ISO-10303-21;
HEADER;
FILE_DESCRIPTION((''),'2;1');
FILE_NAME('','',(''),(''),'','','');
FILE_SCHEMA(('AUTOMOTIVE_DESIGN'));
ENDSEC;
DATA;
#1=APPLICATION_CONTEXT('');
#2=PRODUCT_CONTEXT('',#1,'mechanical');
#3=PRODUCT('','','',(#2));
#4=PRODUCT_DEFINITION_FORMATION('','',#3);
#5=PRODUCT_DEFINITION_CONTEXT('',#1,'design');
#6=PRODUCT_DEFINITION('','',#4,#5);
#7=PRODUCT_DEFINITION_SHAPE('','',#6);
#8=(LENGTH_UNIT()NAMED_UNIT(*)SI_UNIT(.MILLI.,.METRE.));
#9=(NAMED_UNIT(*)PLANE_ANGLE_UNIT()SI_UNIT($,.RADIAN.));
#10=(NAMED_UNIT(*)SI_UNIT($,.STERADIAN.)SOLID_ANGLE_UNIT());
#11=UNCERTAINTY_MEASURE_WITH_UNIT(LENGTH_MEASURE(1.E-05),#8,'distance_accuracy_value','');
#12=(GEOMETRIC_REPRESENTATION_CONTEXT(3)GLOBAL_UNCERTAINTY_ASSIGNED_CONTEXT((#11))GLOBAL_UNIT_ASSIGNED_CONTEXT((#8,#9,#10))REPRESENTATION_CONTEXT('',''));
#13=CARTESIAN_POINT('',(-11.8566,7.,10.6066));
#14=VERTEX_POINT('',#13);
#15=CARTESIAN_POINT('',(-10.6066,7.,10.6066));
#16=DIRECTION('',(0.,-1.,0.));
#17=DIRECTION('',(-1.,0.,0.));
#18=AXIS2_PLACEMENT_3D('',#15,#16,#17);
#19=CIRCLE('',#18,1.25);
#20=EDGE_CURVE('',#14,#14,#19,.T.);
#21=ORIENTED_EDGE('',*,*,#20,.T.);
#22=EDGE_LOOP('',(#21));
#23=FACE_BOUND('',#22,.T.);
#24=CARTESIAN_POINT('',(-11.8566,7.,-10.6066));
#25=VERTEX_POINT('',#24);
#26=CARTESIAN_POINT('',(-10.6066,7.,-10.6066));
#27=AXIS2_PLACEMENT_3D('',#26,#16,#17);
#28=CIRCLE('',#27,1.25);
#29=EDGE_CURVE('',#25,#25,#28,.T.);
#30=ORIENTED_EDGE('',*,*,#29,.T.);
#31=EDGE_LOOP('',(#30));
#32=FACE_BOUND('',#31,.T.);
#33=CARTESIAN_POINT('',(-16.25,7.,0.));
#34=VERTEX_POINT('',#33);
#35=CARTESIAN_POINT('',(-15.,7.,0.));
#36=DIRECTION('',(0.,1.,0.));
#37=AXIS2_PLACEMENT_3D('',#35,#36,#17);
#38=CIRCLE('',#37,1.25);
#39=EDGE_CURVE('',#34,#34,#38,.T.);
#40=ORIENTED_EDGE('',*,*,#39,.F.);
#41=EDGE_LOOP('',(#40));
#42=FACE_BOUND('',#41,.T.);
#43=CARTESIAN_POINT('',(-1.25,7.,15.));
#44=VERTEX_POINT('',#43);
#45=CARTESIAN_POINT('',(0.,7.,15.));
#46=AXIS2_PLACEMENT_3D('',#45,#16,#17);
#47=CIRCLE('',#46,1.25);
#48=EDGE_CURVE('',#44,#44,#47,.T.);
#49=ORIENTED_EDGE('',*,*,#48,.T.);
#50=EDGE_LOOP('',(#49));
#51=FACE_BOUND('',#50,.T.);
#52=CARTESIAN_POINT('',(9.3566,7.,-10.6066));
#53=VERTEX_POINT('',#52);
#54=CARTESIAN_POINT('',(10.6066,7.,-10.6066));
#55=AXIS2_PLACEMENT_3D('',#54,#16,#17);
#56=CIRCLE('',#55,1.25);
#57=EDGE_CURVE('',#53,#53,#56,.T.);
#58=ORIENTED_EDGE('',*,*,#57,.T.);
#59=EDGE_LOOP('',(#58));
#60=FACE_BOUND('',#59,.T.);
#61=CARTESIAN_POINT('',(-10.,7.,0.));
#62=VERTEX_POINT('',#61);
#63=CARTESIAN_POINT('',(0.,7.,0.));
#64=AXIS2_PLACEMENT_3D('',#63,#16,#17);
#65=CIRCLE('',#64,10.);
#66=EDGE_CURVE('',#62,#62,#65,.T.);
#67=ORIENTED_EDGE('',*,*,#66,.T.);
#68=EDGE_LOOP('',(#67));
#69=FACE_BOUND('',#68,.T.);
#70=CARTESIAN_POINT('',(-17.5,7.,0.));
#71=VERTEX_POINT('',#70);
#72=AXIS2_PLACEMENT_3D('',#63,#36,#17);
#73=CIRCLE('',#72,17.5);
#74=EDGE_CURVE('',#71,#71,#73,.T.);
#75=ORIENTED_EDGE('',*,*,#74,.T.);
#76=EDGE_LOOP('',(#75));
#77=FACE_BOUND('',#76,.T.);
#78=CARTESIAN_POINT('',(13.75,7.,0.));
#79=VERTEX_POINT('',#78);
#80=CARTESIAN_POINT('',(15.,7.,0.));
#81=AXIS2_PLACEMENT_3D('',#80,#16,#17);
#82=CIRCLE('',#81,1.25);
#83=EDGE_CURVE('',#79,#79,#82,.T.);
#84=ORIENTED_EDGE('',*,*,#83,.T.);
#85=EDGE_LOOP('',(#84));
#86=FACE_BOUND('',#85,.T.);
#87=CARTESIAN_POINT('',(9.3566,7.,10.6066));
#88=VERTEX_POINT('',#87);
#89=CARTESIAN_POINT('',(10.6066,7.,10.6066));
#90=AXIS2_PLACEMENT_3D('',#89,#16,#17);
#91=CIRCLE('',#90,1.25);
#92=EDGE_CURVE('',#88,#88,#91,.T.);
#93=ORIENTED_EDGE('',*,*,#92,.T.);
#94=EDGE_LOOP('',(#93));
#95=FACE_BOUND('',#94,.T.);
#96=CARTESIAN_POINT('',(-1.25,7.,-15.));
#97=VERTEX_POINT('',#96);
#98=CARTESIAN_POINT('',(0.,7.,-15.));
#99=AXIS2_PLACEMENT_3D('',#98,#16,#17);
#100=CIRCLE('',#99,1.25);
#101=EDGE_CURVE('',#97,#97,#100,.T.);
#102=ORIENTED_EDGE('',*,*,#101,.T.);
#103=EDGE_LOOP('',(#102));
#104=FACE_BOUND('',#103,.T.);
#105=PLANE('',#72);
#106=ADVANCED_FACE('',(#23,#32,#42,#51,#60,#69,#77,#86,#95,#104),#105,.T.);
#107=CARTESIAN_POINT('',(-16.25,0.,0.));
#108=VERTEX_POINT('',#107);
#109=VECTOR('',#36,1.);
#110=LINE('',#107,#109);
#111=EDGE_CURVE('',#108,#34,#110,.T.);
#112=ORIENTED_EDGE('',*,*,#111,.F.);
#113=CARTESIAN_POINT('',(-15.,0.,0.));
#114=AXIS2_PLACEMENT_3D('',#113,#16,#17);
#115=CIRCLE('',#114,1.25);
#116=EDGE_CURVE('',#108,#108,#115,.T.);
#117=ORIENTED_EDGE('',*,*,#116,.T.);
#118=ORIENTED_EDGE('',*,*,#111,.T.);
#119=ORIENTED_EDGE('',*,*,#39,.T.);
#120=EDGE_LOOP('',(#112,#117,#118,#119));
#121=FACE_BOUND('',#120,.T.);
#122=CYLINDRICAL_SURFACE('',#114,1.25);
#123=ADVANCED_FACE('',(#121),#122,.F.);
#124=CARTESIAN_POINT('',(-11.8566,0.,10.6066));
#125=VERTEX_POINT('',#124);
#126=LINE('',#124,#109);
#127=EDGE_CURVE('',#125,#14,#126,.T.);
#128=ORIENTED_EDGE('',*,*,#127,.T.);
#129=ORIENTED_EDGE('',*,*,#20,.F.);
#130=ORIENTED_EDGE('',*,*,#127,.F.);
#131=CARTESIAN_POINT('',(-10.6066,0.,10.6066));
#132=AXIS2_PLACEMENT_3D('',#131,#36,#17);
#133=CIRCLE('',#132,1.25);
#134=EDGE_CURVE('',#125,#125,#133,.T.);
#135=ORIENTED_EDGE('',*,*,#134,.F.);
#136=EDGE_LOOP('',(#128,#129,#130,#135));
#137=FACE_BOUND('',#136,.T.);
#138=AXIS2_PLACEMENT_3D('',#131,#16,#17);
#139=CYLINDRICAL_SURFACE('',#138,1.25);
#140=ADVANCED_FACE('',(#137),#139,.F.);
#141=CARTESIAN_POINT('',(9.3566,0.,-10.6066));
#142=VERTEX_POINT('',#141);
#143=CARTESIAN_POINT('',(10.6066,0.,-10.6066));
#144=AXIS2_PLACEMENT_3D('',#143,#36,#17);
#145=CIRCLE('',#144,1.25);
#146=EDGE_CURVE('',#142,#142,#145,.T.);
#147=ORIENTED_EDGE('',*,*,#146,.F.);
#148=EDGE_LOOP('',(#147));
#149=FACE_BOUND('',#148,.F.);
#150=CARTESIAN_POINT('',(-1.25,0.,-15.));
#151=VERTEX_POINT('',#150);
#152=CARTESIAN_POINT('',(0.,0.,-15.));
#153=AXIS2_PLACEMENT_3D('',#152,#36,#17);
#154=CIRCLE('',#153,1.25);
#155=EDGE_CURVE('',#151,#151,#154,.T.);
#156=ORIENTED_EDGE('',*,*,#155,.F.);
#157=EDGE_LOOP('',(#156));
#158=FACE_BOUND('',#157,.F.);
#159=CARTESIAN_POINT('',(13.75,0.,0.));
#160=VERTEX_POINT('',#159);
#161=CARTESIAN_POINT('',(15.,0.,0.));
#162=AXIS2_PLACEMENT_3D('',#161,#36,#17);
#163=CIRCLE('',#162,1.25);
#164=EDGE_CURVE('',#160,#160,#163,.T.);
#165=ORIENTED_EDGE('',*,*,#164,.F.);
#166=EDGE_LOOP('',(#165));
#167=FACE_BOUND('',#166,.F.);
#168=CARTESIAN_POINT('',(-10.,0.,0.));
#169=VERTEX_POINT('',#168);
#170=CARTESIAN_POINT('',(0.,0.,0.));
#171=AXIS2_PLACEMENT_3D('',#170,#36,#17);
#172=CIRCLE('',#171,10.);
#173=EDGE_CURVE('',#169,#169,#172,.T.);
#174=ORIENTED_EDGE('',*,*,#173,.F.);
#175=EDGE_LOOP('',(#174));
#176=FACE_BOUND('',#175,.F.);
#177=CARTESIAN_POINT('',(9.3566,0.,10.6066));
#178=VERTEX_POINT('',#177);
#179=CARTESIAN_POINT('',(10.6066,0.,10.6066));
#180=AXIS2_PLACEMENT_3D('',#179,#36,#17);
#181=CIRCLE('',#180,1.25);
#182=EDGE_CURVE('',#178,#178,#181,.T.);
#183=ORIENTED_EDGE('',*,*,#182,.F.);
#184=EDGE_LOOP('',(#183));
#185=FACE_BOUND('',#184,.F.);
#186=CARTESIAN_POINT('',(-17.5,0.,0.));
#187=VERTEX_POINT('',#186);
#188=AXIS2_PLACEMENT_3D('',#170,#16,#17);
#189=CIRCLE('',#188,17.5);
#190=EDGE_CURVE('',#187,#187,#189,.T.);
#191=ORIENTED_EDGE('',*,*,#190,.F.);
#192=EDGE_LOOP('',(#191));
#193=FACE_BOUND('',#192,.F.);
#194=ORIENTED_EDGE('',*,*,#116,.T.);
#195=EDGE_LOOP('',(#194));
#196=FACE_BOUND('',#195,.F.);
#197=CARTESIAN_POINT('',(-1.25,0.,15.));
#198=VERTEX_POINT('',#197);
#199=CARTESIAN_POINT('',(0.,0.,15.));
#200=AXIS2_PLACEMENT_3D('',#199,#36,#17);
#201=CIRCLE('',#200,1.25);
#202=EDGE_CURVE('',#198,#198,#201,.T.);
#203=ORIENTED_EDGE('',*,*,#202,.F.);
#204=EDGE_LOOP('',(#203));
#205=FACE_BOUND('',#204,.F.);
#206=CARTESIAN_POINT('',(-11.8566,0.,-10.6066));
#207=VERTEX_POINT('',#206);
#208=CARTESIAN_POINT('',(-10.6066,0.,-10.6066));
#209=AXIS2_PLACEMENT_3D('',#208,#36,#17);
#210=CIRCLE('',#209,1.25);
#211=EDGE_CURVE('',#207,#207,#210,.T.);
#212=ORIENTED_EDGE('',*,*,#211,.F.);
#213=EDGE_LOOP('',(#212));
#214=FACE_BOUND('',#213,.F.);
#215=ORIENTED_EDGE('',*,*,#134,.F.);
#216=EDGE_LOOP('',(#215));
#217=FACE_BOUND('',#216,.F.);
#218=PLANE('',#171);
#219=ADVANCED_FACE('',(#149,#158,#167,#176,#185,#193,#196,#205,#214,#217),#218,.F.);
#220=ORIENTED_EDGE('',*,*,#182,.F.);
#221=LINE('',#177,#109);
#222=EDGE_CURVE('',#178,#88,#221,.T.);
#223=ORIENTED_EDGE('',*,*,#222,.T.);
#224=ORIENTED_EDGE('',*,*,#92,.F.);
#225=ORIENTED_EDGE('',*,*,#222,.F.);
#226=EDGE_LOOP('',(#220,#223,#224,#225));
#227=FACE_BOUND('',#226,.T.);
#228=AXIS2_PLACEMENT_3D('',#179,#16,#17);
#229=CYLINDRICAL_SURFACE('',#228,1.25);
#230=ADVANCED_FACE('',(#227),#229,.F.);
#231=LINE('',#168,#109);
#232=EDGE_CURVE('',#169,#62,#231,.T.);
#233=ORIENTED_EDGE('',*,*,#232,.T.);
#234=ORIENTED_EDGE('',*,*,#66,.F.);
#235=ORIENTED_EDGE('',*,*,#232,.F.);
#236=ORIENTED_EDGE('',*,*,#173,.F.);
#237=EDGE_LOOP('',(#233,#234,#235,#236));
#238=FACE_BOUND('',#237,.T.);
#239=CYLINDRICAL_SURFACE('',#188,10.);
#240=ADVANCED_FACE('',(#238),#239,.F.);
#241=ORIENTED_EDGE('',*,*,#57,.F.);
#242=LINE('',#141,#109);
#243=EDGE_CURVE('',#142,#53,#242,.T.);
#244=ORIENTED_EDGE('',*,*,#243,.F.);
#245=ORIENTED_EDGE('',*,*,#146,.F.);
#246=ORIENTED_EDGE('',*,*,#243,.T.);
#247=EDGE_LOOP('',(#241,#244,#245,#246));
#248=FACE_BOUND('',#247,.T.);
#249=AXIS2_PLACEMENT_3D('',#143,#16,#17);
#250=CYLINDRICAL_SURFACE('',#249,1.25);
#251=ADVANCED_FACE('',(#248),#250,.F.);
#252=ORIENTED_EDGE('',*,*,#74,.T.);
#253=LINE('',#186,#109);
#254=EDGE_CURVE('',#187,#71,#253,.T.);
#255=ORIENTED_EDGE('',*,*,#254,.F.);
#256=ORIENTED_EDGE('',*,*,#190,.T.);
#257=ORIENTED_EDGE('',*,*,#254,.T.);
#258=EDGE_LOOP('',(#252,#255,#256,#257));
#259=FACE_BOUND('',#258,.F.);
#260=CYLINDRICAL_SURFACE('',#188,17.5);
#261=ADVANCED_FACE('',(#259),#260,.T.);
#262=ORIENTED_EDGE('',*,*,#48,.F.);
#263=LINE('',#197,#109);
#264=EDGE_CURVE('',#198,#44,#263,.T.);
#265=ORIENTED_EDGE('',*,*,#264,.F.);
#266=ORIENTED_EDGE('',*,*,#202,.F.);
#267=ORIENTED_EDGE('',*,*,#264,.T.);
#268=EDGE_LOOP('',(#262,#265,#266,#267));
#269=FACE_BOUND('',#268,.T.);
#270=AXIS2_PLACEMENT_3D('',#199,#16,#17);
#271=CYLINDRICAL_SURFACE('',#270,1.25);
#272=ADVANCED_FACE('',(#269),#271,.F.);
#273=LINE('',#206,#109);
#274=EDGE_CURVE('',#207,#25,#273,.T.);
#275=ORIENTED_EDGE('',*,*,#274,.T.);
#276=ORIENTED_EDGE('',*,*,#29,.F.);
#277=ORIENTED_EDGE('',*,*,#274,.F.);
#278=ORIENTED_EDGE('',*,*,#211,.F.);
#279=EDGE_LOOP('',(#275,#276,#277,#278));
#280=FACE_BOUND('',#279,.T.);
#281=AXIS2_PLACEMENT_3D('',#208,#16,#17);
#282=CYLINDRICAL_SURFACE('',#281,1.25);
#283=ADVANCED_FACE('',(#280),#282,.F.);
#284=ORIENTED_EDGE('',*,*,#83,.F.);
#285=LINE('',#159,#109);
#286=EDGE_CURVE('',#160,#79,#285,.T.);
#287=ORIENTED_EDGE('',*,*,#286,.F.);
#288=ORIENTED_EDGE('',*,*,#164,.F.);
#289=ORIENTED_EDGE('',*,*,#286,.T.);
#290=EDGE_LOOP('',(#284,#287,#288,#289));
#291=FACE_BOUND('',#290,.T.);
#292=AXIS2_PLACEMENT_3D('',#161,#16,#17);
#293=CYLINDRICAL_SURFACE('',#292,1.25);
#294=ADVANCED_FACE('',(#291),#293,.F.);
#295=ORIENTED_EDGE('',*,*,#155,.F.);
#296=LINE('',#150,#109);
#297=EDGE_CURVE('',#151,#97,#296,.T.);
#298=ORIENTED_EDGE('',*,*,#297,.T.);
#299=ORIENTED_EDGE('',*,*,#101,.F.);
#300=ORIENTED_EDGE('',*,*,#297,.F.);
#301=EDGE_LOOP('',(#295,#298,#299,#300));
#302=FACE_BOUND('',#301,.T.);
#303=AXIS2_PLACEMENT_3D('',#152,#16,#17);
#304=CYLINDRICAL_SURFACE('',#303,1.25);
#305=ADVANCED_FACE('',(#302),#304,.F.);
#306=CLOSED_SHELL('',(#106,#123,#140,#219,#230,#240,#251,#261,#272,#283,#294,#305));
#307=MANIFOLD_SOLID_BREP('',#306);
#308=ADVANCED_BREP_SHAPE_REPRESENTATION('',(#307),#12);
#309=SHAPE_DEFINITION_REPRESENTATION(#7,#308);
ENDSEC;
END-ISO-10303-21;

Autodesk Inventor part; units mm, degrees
ref_plane "YZ Plane" through (0, 0, 0) normal (1, 0, 0) x (0, 1, 0)
ref_plane "XZ Plane" through (0, 0, 0) normal (0, 1, 0) x (-1, 0, 0)
ref_plane "XY Plane" through (0, 0, 0) normal (0, 0, 1) x (1, 0, 0)
sketch "Szkic1" plane through (0, 0, 0) normal (0, 1, 0) x (-1, 0, 0)
  circle A0 centre (0, 0) radius 10
  circle A1 centre (0, 0) radius 17.5
  line L0 (0, 17.5) -> (0, -17.5)
  line L1 (-17.5, 0) -> (17.5, 0)
  circle A2 centre (2.5, 2.5) radius 0.5
  circle A3 centre (2.5, -2.5) radius 0.5
  circle A4 centre (-2.5, 2.5) radius 0.5
  circle A5 centre (-2.5, -2.5) radius 0.5
  circle A6 centre (0, 15) radius 1.25
  circle A7 centre (0, -15) radius 1.25
  circle A8 centre (15, 0) radius 1.25
  circle A9 centre (-15, 0) radius 1.25
  line L2 (-2.5, -2.5) -> (-12.3744, -12.3744)
  line L3 (2.5, 2.5) -> (12.3744, 12.3744)
  line L4 (2.5, -2.5) -> (12.3744, -12.3744)
  line L5 (-2.5, 2.5) -> (-12.3744, 12.3744)
  circle A10 centre (10.6066, 10.6066) radius 1.25
  circle A11 centre (-10.6066, -10.6066) radius 1.25
  line L6 (-2.5, 2.5) -> (2.5, -2.5)
  line L7 (2.5, 2.5) -> (-2.5, -2.5)
  circle A12 centre (-10.6066, 10.6066) radius 1.25
  circle A13 centre (10.6066, -10.6066) radius 1.25
  dimension "d1" = 35
  dimension "d0" = 20
  dimension "d2" = 1
  dimension "d3" = 5
  dimension "d4" = 5
  dimension "d5" = 30
  dimension "d6" = 2.5
  dimension "d7" = 30
  dimension "d8" = 2.5
  dimension "d9" = 2.5
  dimension "d11" = 21.2132
extrude "Wyciągnięcie proste2" add sketch "Szkic1" along normal blind 7 contours L1 A8 A1 L4 A13 A0 | A0 L3 A10 A1 L1 A8 | A0 L0 A6 A1 L3 A10 | L4 A13 A1 L0 A7 A0 | A0 L5 A12 A1 L0 A6 | L0 A7 A1 L2 A11 A0 | L1 A9 A1 L5 A12 A0 | A0 L2 A11 A1 L1 A9
properties part number "doormy gora"
